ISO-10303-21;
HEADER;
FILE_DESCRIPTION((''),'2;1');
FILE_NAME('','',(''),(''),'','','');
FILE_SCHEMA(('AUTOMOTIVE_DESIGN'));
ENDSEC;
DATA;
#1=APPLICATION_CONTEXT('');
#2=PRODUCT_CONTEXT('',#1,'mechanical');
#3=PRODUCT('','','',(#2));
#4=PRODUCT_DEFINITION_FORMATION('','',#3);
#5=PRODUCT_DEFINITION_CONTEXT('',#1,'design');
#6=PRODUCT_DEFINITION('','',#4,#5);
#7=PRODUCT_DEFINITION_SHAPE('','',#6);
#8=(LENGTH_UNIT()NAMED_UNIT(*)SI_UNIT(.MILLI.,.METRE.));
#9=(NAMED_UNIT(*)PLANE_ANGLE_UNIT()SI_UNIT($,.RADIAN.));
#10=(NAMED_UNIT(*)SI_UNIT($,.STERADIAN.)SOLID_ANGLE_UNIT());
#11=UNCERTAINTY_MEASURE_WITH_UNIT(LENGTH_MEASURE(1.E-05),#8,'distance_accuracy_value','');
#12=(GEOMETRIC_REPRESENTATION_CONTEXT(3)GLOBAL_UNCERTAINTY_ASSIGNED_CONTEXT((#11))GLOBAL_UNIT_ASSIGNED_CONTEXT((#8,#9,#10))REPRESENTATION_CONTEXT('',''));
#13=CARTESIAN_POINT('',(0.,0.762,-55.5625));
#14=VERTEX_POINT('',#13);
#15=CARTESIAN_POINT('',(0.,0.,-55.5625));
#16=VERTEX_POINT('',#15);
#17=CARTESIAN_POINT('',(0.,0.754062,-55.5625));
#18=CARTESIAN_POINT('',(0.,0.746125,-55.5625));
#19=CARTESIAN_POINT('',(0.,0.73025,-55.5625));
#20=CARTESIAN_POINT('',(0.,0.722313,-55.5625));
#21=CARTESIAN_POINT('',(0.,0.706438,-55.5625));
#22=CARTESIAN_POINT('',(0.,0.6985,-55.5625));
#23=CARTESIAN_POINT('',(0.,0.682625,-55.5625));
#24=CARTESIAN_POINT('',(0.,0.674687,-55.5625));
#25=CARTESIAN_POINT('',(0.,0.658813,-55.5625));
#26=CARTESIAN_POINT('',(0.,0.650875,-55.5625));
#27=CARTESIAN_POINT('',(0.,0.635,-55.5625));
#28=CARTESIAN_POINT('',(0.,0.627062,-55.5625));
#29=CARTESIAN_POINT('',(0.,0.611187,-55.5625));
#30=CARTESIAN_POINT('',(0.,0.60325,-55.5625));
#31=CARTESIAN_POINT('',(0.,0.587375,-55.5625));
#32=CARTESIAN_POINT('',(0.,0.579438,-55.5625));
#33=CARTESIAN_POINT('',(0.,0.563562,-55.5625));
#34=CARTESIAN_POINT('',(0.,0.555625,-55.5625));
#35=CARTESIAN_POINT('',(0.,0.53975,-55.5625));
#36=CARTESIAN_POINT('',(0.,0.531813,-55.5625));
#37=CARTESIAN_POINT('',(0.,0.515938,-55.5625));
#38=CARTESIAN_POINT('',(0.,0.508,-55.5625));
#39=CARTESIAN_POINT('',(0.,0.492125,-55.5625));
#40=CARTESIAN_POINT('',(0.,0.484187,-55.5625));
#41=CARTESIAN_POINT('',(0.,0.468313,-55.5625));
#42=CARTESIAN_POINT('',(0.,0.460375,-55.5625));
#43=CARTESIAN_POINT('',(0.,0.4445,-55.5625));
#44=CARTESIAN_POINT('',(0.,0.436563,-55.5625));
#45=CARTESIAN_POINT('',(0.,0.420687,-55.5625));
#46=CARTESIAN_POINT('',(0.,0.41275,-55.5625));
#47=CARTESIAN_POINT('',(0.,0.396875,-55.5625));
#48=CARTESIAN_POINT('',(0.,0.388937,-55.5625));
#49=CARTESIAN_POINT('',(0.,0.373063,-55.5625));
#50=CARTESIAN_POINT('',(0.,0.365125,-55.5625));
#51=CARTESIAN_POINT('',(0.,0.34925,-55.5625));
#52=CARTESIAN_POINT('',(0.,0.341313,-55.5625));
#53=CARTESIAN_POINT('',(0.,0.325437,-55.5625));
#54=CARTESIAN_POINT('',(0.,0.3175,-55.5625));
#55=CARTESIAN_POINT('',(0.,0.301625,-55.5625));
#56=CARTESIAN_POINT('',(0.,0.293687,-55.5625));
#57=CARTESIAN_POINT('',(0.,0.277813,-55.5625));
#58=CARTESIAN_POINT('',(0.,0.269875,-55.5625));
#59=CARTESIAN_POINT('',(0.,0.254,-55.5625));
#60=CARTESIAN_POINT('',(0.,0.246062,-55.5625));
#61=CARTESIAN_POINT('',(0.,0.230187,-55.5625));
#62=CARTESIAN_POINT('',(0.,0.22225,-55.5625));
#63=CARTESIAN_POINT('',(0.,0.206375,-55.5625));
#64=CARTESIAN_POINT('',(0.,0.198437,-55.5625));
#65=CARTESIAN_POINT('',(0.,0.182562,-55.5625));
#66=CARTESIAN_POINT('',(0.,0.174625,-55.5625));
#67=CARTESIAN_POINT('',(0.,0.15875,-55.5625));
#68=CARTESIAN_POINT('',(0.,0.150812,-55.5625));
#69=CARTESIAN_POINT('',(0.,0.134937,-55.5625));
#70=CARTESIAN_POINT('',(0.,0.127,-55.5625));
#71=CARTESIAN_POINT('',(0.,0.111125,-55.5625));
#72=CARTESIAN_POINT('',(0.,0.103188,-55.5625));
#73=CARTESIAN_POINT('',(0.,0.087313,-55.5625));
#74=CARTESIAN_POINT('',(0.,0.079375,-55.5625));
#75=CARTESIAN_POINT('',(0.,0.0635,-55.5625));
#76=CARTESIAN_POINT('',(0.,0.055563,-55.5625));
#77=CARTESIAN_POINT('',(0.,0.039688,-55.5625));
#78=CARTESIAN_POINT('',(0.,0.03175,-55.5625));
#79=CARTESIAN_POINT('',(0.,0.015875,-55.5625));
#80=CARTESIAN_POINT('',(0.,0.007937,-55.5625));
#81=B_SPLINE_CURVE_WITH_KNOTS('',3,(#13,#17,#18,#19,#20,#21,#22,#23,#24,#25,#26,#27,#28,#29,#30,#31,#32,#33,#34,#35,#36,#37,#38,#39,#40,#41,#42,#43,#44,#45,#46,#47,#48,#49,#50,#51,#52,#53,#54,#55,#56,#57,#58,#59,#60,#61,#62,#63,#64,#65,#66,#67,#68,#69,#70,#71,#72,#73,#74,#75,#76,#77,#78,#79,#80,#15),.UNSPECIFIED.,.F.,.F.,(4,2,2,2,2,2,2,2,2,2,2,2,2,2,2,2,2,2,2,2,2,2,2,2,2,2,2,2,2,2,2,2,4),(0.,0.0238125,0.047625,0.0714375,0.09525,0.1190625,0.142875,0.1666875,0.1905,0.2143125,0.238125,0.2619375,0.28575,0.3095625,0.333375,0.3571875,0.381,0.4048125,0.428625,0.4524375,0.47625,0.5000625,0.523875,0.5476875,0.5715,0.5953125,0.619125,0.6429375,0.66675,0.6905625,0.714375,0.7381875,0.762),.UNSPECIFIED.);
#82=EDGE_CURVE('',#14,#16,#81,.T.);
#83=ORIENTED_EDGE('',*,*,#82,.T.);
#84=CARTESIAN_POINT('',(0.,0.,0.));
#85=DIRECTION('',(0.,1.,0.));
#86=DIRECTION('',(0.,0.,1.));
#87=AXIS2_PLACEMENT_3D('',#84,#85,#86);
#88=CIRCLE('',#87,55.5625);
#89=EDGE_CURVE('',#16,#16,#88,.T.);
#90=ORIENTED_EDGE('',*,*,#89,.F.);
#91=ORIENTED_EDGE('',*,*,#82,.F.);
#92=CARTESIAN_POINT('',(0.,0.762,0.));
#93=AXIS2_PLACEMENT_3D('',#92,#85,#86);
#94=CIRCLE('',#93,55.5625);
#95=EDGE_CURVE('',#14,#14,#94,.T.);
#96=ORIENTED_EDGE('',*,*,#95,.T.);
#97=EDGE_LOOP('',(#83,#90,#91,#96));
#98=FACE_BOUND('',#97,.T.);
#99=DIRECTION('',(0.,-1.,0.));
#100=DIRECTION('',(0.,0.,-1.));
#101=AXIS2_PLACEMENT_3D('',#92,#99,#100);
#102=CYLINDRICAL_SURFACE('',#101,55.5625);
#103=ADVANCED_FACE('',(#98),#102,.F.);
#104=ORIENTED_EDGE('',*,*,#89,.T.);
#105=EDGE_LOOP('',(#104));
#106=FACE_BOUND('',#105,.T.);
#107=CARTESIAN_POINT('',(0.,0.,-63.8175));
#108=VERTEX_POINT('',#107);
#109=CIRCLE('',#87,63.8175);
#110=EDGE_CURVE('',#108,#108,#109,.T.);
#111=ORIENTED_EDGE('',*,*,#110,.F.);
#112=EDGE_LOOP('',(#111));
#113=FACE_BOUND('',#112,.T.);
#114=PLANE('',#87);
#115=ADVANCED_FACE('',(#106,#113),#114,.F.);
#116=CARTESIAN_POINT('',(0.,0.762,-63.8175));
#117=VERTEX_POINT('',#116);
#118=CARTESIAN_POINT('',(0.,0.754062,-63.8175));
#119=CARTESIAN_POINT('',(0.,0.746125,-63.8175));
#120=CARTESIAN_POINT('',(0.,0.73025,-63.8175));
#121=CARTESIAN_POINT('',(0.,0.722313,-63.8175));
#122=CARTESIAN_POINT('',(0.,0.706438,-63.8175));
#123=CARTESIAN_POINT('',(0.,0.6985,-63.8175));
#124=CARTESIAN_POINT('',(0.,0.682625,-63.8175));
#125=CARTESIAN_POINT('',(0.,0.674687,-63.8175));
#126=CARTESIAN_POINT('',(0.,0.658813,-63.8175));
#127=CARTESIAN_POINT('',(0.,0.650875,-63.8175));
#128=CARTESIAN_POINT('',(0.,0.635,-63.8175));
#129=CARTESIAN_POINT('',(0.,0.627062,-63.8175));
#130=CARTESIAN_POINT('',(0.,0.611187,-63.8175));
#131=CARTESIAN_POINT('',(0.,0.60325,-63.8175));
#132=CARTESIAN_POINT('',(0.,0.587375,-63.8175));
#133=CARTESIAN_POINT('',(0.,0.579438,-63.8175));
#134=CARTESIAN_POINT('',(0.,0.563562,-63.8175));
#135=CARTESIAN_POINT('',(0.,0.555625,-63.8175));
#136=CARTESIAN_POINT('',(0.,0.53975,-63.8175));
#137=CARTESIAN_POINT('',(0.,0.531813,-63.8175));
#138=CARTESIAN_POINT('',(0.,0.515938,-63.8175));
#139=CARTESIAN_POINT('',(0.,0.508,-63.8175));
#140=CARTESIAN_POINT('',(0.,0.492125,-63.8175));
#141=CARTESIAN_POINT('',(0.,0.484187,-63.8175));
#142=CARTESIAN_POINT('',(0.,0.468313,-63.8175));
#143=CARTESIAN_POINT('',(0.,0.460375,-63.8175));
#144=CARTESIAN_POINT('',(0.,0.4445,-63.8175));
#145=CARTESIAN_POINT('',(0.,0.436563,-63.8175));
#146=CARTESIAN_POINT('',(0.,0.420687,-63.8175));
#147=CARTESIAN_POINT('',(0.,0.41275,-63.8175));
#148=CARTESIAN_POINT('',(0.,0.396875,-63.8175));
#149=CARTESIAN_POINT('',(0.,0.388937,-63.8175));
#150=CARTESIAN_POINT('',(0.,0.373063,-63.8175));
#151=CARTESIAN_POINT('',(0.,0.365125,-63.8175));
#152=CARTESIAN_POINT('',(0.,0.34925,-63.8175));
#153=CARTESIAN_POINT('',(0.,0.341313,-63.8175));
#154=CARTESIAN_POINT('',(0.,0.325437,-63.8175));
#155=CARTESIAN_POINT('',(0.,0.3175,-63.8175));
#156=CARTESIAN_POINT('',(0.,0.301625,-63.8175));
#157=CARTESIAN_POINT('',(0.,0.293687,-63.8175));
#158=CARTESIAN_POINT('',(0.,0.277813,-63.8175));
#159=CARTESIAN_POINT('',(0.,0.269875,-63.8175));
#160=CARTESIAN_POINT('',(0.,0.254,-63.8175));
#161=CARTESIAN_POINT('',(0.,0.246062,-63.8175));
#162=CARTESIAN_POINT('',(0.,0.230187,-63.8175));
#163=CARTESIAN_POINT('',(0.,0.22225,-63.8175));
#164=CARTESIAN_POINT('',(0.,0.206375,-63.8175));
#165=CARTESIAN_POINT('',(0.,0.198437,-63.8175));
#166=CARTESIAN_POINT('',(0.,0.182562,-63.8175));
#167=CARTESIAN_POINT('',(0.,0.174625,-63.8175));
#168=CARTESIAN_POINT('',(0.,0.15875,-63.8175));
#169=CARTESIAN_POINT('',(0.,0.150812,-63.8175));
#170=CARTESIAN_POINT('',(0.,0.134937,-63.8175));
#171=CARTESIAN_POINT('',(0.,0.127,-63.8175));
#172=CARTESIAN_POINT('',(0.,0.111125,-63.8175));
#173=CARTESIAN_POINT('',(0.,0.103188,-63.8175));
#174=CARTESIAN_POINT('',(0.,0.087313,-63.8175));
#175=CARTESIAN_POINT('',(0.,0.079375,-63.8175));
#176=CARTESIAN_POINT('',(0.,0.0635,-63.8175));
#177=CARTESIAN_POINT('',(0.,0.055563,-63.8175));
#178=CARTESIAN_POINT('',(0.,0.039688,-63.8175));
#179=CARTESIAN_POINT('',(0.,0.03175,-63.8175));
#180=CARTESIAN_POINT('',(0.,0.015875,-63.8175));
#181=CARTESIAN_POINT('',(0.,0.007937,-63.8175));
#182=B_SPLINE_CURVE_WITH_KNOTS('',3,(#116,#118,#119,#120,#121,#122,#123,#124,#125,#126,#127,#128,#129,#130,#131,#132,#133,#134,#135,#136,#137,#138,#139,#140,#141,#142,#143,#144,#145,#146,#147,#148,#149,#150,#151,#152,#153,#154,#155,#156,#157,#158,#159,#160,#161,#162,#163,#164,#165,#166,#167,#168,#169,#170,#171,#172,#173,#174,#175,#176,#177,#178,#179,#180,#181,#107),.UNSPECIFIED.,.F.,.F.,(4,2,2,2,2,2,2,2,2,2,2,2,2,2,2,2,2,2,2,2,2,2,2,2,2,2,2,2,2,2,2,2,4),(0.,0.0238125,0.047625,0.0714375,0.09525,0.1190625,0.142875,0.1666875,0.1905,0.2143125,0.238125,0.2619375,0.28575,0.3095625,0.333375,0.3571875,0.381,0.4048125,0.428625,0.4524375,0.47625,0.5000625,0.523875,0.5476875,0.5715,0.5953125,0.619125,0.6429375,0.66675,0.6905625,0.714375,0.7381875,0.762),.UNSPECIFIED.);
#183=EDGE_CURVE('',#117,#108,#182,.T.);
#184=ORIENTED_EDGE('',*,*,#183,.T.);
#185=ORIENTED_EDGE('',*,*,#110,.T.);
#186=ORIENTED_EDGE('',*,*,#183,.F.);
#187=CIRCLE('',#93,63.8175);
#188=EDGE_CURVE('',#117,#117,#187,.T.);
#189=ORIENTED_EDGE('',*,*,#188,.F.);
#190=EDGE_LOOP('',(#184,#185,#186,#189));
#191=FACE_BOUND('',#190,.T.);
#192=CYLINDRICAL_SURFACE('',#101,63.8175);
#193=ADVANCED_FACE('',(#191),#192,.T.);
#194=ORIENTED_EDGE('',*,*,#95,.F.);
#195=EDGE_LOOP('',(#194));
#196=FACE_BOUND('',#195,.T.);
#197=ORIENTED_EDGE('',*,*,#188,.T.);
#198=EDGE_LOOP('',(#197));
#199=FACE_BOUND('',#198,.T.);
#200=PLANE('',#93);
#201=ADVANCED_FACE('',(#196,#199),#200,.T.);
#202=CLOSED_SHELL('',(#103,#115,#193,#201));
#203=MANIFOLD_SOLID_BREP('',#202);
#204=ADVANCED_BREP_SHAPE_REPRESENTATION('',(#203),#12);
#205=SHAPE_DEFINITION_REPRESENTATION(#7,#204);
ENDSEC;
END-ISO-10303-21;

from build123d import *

# Parameters (mm, degrees)
SKETCH1_R           = 63.8175
SKETCH1_R_2         = 55.5625
BOSS_EXTRUDE2_DEPTH = 0.762


with BuildPart() as part:
    # Sketch1 → Boss-Extrude2 (new body)
    with BuildSketch(Plane(origin=(0, 0, 0), x_dir=(1, 0, 0), z_dir=(0, 1, 0))):
        with Locations(Location((0, 0, 0), (0, 0, 90))):
            Circle(SKETCH1_R)
        with Locations(Location((0, 0, 0), (0, 0, 90))):
            Circle(SKETCH1_R_2, mode=Mode.SUBTRACT)
    extrude(amount=BOSS_EXTRUDE2_DEPTH)


solid = part.part
